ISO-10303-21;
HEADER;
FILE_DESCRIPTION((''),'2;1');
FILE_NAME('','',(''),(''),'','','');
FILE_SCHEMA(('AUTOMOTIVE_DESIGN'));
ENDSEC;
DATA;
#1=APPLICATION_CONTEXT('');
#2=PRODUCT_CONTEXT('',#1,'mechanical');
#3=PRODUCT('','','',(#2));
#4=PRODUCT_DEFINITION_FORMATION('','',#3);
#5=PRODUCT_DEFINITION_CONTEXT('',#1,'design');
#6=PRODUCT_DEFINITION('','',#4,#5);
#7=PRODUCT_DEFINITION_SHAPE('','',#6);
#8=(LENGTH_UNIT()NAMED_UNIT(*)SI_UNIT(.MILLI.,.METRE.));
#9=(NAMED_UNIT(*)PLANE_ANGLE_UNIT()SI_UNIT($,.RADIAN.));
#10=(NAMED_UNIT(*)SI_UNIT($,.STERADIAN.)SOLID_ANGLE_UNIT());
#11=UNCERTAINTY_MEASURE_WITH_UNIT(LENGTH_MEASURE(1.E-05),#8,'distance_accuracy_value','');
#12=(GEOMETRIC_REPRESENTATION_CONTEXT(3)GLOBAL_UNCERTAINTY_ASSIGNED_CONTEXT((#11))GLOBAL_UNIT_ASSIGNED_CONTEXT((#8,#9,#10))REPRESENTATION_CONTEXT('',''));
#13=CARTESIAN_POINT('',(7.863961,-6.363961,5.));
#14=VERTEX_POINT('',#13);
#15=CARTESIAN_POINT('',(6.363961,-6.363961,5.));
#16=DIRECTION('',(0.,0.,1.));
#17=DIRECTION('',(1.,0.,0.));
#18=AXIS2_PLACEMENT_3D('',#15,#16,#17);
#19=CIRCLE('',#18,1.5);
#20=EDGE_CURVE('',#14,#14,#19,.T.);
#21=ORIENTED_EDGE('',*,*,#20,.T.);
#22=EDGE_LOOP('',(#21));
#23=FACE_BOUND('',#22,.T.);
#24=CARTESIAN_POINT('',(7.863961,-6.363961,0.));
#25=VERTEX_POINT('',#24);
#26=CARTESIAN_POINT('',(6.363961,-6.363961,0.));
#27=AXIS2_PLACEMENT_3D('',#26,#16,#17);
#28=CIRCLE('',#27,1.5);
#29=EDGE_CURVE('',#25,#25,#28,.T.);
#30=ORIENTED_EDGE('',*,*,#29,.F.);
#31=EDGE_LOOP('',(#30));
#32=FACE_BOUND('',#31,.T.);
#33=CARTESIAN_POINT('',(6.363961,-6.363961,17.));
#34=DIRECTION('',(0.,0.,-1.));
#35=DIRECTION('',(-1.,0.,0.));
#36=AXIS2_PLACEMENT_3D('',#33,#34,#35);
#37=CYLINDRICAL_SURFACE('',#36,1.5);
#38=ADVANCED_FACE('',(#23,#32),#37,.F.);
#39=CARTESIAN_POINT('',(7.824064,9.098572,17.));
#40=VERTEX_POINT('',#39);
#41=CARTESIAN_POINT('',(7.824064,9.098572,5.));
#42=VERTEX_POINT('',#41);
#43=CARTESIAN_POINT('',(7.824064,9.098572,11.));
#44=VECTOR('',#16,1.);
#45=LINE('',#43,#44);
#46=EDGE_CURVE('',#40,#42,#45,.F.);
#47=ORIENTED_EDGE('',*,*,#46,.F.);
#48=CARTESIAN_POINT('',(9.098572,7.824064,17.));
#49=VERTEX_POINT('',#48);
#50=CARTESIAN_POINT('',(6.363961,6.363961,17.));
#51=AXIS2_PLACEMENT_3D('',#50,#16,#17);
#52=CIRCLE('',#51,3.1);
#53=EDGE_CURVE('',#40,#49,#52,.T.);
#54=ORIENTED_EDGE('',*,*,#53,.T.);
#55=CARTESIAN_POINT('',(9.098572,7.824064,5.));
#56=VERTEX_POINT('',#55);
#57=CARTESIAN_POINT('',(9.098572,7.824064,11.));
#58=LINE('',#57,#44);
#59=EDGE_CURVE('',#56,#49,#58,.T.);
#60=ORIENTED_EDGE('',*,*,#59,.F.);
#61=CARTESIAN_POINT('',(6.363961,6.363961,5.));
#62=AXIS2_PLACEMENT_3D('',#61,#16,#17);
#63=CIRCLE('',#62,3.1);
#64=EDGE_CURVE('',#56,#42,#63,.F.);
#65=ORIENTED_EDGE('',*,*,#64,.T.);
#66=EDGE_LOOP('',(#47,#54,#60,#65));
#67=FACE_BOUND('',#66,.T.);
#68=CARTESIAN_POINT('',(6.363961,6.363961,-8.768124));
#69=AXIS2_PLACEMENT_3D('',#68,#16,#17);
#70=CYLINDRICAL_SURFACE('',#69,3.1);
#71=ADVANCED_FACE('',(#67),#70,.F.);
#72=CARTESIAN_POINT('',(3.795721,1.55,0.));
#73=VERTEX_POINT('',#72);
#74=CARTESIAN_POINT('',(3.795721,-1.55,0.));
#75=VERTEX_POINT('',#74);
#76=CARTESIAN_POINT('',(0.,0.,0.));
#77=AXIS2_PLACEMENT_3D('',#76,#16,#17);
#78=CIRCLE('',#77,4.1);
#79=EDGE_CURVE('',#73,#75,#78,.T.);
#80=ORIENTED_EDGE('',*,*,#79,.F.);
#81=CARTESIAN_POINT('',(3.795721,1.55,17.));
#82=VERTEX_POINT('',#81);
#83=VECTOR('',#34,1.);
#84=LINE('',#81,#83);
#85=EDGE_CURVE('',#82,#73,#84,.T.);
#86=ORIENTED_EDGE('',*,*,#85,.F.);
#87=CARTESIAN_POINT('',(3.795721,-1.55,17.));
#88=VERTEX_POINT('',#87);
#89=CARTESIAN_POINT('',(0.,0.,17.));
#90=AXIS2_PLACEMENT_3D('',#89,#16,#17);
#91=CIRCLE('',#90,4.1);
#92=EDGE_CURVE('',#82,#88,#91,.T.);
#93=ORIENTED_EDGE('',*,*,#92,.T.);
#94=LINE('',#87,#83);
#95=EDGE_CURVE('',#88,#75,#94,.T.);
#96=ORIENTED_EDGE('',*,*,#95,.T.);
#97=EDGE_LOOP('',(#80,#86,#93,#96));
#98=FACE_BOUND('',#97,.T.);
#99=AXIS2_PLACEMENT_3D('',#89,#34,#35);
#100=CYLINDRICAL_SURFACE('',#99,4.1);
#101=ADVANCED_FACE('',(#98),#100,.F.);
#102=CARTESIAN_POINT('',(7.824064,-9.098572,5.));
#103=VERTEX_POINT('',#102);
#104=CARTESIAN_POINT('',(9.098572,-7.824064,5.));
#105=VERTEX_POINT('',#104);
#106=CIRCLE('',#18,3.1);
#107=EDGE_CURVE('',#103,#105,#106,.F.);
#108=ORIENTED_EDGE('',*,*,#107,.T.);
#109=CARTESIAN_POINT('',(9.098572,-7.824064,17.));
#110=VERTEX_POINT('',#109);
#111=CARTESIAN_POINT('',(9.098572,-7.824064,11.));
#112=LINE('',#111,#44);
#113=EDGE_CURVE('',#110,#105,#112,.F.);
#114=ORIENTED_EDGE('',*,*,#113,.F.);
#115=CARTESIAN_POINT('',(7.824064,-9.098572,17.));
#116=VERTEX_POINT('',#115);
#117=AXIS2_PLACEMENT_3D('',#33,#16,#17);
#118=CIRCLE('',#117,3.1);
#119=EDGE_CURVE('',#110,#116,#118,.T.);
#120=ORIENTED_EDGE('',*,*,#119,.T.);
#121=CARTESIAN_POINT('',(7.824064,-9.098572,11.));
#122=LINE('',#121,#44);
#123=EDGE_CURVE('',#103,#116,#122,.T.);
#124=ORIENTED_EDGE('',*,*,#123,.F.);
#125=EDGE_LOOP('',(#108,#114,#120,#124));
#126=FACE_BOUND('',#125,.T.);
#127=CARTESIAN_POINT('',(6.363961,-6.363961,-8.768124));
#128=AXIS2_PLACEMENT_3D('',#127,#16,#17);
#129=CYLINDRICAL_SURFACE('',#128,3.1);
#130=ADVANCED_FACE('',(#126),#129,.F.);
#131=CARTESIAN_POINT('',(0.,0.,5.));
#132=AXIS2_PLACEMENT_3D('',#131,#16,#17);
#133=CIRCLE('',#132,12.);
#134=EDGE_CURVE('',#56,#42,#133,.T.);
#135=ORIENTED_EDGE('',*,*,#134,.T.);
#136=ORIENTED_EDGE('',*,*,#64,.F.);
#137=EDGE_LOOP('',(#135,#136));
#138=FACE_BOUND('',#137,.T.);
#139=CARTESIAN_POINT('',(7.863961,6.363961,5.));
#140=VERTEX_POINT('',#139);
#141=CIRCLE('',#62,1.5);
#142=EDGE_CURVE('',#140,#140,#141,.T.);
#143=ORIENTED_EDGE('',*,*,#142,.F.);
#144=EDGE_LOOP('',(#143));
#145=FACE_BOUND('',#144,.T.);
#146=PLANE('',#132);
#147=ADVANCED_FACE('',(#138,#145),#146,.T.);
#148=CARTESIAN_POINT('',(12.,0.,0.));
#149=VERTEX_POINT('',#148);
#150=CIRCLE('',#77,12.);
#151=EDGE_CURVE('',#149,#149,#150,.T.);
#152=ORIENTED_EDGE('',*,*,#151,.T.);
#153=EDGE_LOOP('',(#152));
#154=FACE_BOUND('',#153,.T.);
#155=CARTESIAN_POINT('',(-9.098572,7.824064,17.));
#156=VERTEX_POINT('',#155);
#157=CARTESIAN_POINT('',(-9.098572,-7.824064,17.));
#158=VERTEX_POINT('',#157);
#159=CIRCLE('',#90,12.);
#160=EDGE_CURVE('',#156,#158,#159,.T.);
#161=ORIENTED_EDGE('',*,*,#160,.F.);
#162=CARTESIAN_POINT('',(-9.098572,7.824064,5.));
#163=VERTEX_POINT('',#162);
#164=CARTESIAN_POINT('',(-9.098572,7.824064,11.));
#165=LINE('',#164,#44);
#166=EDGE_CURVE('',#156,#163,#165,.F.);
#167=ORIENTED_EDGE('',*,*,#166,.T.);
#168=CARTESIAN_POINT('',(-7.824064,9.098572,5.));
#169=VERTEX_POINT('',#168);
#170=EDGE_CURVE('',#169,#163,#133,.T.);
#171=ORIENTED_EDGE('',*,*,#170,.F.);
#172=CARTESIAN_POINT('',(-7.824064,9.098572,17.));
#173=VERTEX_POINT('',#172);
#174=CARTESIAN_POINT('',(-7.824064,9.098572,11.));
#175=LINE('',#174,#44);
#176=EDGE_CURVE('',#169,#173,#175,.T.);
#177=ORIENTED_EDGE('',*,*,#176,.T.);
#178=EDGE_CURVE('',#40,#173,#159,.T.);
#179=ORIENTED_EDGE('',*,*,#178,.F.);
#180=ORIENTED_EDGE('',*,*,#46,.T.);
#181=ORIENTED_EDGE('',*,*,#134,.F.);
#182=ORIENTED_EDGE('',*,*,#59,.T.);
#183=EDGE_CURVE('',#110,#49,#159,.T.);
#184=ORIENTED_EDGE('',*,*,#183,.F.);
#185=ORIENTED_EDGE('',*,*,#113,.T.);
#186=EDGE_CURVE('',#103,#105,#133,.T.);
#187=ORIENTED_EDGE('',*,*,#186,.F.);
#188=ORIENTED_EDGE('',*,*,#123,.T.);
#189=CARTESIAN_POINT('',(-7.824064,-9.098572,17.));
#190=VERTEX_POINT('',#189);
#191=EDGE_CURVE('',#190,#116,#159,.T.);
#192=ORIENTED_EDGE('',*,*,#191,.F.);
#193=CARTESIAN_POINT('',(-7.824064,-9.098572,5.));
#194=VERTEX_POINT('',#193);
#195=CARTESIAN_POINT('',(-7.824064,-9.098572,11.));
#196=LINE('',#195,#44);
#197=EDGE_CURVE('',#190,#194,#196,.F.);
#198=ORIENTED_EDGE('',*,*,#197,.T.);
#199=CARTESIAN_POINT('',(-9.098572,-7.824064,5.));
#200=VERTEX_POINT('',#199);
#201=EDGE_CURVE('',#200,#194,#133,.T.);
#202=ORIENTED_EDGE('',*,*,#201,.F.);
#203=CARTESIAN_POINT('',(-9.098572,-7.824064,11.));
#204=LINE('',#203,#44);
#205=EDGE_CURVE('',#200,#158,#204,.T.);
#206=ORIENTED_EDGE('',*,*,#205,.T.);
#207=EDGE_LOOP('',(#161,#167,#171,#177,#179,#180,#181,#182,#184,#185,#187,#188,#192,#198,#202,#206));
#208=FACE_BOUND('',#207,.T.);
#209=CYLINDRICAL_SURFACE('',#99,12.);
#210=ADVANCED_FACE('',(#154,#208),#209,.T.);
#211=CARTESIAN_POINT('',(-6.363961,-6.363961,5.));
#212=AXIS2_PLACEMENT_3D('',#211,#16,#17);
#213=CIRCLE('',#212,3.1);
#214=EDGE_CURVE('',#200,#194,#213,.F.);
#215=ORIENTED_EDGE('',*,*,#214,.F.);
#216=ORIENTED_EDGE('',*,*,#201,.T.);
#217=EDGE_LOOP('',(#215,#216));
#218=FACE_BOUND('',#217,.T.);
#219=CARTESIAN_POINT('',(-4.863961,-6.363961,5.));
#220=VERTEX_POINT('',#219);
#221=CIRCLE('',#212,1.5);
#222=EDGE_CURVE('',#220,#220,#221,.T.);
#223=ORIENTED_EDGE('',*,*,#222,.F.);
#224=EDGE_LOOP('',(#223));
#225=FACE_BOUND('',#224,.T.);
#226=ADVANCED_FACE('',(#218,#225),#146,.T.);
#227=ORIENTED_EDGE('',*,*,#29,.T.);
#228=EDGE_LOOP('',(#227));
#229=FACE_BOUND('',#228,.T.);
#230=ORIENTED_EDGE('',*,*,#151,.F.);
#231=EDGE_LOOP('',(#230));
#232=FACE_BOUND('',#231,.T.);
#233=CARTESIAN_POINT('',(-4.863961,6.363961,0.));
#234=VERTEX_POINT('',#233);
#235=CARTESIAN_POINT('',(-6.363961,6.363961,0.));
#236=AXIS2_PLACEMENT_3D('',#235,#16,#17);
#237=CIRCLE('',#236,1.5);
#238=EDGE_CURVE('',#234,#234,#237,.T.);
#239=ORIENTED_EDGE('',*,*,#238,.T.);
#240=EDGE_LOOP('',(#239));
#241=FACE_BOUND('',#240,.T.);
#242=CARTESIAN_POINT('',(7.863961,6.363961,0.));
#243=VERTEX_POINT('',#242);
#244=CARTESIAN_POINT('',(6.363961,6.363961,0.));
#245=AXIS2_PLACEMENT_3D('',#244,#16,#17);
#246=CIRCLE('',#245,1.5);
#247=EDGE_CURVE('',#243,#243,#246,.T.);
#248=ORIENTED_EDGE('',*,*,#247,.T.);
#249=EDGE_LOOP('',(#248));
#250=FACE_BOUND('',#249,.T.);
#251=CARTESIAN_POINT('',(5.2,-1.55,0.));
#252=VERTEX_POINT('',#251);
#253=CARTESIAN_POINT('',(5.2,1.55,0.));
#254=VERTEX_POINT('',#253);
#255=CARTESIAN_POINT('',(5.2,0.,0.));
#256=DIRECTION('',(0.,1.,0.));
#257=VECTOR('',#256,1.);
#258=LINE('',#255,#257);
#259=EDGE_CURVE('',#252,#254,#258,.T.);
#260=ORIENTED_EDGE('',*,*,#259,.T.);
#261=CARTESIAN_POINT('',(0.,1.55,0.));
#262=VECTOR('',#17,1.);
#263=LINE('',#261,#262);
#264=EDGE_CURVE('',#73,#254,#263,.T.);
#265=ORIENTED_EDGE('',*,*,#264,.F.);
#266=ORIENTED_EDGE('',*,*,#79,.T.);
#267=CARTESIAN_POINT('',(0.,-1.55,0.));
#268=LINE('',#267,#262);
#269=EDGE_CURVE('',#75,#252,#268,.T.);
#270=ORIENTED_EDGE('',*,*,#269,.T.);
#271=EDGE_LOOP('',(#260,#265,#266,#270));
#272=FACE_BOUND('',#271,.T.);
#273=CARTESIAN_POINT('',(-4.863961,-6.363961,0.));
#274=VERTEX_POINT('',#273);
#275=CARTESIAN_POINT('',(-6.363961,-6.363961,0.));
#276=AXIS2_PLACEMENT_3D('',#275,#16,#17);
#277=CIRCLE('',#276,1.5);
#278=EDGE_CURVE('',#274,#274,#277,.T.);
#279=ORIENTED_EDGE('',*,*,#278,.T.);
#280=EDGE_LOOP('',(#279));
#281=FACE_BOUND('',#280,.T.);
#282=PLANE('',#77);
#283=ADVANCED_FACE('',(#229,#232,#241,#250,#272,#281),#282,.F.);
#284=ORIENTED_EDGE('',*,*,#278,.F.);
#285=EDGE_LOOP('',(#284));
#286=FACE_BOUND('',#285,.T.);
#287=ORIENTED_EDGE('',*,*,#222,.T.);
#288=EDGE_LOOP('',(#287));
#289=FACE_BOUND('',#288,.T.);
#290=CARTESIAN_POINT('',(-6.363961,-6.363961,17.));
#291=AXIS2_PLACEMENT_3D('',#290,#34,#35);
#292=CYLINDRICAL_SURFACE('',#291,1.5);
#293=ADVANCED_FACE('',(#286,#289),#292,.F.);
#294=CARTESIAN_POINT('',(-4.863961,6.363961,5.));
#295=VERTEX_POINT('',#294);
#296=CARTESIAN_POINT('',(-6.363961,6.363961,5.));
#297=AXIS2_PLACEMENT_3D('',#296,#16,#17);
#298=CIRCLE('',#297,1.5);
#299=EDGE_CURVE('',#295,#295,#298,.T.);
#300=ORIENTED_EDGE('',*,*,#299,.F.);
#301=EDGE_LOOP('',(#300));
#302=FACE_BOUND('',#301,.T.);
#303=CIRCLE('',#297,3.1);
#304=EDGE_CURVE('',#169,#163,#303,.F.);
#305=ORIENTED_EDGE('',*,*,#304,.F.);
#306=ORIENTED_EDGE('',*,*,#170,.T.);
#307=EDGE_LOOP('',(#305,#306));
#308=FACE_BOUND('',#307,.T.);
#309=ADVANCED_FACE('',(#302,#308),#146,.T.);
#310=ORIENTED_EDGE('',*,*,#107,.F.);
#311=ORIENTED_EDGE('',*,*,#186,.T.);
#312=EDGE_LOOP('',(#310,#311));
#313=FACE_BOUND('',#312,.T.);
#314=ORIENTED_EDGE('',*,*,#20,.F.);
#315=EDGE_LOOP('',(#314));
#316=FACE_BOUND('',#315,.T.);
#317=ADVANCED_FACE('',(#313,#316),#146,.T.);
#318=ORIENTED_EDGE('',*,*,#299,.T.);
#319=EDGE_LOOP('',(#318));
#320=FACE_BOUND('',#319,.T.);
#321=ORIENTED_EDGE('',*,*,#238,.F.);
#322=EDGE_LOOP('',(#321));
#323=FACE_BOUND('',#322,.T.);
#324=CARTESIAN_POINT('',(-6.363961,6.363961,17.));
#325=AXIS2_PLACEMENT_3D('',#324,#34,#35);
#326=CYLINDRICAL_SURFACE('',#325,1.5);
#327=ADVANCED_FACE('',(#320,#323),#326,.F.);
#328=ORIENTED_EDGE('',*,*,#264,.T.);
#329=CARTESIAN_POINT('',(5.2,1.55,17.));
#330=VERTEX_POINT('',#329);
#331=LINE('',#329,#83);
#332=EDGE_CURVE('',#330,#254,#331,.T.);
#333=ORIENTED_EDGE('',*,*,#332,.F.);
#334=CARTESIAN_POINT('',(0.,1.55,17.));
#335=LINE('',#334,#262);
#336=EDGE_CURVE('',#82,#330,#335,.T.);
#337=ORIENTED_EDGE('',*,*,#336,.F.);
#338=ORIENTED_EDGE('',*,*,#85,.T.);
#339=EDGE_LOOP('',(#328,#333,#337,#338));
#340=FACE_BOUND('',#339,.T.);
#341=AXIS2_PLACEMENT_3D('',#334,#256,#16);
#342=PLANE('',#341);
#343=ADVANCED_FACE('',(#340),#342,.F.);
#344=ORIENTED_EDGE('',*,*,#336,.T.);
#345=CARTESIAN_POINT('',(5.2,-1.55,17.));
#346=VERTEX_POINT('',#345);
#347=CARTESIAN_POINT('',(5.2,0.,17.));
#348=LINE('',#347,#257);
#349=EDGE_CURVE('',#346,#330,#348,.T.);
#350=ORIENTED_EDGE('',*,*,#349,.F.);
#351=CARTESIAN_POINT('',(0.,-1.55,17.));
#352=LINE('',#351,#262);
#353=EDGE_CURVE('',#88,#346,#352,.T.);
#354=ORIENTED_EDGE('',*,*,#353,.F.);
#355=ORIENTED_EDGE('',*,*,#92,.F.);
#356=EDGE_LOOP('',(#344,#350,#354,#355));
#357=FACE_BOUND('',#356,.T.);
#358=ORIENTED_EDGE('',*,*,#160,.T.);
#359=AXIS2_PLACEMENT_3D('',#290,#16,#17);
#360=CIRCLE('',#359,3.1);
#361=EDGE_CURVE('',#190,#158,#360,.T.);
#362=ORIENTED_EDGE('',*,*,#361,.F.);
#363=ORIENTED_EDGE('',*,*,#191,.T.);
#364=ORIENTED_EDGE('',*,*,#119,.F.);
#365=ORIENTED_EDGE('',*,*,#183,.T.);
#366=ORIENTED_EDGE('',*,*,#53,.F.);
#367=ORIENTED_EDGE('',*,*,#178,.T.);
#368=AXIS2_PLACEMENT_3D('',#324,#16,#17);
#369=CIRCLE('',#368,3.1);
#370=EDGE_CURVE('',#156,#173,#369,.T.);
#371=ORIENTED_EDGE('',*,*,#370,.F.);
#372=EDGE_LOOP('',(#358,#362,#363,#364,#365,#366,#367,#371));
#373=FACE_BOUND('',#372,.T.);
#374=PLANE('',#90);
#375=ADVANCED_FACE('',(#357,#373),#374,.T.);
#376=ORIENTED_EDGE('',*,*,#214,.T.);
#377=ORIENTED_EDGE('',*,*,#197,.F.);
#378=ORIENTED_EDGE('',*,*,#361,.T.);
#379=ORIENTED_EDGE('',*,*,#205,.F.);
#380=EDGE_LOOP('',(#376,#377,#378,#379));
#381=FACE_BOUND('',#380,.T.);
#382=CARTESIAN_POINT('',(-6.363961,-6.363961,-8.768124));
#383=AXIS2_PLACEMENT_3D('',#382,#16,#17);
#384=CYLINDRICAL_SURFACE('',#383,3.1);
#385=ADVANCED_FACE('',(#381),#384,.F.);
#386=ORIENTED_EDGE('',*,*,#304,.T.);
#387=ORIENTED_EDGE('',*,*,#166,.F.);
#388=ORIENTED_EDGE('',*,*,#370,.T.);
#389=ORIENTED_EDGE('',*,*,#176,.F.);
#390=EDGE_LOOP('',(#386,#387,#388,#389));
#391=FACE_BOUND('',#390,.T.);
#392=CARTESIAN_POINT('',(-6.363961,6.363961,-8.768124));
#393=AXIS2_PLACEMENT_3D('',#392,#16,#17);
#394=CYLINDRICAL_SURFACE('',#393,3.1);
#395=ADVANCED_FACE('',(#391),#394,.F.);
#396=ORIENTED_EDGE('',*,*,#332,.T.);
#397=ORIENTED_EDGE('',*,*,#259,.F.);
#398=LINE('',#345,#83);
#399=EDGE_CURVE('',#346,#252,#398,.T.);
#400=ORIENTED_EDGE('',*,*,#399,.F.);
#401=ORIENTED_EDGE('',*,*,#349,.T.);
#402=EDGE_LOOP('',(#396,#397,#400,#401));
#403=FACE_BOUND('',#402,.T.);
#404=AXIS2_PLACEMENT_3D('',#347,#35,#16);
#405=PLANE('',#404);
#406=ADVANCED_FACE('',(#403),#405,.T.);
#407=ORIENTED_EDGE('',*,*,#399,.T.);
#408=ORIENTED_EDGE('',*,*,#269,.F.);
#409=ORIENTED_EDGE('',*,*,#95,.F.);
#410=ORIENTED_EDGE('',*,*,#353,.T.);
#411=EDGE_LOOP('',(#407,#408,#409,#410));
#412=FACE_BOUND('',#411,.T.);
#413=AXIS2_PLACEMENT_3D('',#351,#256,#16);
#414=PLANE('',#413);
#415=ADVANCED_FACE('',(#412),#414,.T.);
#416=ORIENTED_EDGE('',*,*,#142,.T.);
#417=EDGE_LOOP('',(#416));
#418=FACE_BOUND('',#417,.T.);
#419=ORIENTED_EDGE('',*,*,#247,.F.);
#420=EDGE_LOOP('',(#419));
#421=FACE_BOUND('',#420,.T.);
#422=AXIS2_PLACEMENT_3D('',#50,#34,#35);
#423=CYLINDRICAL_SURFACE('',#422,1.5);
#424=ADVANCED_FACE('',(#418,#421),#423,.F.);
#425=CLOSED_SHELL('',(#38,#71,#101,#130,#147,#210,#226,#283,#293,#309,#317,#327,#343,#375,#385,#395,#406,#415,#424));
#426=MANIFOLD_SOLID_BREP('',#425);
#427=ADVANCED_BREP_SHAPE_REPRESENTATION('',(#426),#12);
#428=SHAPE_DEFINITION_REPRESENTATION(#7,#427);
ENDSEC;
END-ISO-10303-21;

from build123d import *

# Parameters (mm, degrees)
SKIZZE1_R                       = 12
SKIZZE1_R_2                     = 1.5
AUFSATZ_LINEAR_AUSTRAGEN1_DEPTH = 17
SKIZZE2_R                       = 3.1
SCHNITT_LINEAR_AUSTRAGEN2_DEPTH = 12


with BuildPart() as part:
    # Skizze1 → Aufsatz-Linear austragen1 (new body)
    with BuildSketch(Plane.XY):
        Circle(SKIZZE1_R)
        with Locations((6.363961031, 6.363961031)):
            Circle(SKIZZE1_R_2, mode=Mode.SUBTRACT)
        with Locations((-6.363961031, 6.363961031)):
            Circle(SKIZZE1_R_2, mode=Mode.SUBTRACT)
        with Locations((-6.363961031, -6.363961031)):
            Circle(SKIZZE1_R_2, mode=Mode.SUBTRACT)
        with Locations((6.363961031, -6.363961031)):
            Circle(SKIZZE1_R_2, mode=Mode.SUBTRACT)
        with BuildLine():
            ThreePointArc((3.795721275, -1.55), (-4.1, 0), (3.795721275, 1.55))
            Line((3.795721275, 1.55), (5.2, 1.55))
            Line((5.2, 1.55), (5.2, -1.55))
            Line((5.2, -1.55), (3.795721275, -1.55))
        make_face(mode=Mode.SUBTRACT)
    extrude(amount=AUFSATZ_LINEAR_AUSTRAGEN1_DEPTH)

    # Skizze2 → Schnitt-Linear austragen2 (cut)
    with BuildSketch(Plane.XY.offset(17)):
        with Locations((-6.363961031, 6.363961031)):
            Circle(SKIZZE2_R)
        with Locations((6.363961031, 6.363961031)):
            Circle(SKIZZE2_R)
        with Locations((6.363961031, -6.363961031)):
            Circle(SKIZZE2_R)
        with Locations((-6.363961031, -6.363961031)):
            Circle(SKIZZE2_R)
    extrude(amount=-SCHNITT_LINEAR_AUSTRAGEN2_DEPTH, mode=Mode.SUBTRACT)


solid = part.part
